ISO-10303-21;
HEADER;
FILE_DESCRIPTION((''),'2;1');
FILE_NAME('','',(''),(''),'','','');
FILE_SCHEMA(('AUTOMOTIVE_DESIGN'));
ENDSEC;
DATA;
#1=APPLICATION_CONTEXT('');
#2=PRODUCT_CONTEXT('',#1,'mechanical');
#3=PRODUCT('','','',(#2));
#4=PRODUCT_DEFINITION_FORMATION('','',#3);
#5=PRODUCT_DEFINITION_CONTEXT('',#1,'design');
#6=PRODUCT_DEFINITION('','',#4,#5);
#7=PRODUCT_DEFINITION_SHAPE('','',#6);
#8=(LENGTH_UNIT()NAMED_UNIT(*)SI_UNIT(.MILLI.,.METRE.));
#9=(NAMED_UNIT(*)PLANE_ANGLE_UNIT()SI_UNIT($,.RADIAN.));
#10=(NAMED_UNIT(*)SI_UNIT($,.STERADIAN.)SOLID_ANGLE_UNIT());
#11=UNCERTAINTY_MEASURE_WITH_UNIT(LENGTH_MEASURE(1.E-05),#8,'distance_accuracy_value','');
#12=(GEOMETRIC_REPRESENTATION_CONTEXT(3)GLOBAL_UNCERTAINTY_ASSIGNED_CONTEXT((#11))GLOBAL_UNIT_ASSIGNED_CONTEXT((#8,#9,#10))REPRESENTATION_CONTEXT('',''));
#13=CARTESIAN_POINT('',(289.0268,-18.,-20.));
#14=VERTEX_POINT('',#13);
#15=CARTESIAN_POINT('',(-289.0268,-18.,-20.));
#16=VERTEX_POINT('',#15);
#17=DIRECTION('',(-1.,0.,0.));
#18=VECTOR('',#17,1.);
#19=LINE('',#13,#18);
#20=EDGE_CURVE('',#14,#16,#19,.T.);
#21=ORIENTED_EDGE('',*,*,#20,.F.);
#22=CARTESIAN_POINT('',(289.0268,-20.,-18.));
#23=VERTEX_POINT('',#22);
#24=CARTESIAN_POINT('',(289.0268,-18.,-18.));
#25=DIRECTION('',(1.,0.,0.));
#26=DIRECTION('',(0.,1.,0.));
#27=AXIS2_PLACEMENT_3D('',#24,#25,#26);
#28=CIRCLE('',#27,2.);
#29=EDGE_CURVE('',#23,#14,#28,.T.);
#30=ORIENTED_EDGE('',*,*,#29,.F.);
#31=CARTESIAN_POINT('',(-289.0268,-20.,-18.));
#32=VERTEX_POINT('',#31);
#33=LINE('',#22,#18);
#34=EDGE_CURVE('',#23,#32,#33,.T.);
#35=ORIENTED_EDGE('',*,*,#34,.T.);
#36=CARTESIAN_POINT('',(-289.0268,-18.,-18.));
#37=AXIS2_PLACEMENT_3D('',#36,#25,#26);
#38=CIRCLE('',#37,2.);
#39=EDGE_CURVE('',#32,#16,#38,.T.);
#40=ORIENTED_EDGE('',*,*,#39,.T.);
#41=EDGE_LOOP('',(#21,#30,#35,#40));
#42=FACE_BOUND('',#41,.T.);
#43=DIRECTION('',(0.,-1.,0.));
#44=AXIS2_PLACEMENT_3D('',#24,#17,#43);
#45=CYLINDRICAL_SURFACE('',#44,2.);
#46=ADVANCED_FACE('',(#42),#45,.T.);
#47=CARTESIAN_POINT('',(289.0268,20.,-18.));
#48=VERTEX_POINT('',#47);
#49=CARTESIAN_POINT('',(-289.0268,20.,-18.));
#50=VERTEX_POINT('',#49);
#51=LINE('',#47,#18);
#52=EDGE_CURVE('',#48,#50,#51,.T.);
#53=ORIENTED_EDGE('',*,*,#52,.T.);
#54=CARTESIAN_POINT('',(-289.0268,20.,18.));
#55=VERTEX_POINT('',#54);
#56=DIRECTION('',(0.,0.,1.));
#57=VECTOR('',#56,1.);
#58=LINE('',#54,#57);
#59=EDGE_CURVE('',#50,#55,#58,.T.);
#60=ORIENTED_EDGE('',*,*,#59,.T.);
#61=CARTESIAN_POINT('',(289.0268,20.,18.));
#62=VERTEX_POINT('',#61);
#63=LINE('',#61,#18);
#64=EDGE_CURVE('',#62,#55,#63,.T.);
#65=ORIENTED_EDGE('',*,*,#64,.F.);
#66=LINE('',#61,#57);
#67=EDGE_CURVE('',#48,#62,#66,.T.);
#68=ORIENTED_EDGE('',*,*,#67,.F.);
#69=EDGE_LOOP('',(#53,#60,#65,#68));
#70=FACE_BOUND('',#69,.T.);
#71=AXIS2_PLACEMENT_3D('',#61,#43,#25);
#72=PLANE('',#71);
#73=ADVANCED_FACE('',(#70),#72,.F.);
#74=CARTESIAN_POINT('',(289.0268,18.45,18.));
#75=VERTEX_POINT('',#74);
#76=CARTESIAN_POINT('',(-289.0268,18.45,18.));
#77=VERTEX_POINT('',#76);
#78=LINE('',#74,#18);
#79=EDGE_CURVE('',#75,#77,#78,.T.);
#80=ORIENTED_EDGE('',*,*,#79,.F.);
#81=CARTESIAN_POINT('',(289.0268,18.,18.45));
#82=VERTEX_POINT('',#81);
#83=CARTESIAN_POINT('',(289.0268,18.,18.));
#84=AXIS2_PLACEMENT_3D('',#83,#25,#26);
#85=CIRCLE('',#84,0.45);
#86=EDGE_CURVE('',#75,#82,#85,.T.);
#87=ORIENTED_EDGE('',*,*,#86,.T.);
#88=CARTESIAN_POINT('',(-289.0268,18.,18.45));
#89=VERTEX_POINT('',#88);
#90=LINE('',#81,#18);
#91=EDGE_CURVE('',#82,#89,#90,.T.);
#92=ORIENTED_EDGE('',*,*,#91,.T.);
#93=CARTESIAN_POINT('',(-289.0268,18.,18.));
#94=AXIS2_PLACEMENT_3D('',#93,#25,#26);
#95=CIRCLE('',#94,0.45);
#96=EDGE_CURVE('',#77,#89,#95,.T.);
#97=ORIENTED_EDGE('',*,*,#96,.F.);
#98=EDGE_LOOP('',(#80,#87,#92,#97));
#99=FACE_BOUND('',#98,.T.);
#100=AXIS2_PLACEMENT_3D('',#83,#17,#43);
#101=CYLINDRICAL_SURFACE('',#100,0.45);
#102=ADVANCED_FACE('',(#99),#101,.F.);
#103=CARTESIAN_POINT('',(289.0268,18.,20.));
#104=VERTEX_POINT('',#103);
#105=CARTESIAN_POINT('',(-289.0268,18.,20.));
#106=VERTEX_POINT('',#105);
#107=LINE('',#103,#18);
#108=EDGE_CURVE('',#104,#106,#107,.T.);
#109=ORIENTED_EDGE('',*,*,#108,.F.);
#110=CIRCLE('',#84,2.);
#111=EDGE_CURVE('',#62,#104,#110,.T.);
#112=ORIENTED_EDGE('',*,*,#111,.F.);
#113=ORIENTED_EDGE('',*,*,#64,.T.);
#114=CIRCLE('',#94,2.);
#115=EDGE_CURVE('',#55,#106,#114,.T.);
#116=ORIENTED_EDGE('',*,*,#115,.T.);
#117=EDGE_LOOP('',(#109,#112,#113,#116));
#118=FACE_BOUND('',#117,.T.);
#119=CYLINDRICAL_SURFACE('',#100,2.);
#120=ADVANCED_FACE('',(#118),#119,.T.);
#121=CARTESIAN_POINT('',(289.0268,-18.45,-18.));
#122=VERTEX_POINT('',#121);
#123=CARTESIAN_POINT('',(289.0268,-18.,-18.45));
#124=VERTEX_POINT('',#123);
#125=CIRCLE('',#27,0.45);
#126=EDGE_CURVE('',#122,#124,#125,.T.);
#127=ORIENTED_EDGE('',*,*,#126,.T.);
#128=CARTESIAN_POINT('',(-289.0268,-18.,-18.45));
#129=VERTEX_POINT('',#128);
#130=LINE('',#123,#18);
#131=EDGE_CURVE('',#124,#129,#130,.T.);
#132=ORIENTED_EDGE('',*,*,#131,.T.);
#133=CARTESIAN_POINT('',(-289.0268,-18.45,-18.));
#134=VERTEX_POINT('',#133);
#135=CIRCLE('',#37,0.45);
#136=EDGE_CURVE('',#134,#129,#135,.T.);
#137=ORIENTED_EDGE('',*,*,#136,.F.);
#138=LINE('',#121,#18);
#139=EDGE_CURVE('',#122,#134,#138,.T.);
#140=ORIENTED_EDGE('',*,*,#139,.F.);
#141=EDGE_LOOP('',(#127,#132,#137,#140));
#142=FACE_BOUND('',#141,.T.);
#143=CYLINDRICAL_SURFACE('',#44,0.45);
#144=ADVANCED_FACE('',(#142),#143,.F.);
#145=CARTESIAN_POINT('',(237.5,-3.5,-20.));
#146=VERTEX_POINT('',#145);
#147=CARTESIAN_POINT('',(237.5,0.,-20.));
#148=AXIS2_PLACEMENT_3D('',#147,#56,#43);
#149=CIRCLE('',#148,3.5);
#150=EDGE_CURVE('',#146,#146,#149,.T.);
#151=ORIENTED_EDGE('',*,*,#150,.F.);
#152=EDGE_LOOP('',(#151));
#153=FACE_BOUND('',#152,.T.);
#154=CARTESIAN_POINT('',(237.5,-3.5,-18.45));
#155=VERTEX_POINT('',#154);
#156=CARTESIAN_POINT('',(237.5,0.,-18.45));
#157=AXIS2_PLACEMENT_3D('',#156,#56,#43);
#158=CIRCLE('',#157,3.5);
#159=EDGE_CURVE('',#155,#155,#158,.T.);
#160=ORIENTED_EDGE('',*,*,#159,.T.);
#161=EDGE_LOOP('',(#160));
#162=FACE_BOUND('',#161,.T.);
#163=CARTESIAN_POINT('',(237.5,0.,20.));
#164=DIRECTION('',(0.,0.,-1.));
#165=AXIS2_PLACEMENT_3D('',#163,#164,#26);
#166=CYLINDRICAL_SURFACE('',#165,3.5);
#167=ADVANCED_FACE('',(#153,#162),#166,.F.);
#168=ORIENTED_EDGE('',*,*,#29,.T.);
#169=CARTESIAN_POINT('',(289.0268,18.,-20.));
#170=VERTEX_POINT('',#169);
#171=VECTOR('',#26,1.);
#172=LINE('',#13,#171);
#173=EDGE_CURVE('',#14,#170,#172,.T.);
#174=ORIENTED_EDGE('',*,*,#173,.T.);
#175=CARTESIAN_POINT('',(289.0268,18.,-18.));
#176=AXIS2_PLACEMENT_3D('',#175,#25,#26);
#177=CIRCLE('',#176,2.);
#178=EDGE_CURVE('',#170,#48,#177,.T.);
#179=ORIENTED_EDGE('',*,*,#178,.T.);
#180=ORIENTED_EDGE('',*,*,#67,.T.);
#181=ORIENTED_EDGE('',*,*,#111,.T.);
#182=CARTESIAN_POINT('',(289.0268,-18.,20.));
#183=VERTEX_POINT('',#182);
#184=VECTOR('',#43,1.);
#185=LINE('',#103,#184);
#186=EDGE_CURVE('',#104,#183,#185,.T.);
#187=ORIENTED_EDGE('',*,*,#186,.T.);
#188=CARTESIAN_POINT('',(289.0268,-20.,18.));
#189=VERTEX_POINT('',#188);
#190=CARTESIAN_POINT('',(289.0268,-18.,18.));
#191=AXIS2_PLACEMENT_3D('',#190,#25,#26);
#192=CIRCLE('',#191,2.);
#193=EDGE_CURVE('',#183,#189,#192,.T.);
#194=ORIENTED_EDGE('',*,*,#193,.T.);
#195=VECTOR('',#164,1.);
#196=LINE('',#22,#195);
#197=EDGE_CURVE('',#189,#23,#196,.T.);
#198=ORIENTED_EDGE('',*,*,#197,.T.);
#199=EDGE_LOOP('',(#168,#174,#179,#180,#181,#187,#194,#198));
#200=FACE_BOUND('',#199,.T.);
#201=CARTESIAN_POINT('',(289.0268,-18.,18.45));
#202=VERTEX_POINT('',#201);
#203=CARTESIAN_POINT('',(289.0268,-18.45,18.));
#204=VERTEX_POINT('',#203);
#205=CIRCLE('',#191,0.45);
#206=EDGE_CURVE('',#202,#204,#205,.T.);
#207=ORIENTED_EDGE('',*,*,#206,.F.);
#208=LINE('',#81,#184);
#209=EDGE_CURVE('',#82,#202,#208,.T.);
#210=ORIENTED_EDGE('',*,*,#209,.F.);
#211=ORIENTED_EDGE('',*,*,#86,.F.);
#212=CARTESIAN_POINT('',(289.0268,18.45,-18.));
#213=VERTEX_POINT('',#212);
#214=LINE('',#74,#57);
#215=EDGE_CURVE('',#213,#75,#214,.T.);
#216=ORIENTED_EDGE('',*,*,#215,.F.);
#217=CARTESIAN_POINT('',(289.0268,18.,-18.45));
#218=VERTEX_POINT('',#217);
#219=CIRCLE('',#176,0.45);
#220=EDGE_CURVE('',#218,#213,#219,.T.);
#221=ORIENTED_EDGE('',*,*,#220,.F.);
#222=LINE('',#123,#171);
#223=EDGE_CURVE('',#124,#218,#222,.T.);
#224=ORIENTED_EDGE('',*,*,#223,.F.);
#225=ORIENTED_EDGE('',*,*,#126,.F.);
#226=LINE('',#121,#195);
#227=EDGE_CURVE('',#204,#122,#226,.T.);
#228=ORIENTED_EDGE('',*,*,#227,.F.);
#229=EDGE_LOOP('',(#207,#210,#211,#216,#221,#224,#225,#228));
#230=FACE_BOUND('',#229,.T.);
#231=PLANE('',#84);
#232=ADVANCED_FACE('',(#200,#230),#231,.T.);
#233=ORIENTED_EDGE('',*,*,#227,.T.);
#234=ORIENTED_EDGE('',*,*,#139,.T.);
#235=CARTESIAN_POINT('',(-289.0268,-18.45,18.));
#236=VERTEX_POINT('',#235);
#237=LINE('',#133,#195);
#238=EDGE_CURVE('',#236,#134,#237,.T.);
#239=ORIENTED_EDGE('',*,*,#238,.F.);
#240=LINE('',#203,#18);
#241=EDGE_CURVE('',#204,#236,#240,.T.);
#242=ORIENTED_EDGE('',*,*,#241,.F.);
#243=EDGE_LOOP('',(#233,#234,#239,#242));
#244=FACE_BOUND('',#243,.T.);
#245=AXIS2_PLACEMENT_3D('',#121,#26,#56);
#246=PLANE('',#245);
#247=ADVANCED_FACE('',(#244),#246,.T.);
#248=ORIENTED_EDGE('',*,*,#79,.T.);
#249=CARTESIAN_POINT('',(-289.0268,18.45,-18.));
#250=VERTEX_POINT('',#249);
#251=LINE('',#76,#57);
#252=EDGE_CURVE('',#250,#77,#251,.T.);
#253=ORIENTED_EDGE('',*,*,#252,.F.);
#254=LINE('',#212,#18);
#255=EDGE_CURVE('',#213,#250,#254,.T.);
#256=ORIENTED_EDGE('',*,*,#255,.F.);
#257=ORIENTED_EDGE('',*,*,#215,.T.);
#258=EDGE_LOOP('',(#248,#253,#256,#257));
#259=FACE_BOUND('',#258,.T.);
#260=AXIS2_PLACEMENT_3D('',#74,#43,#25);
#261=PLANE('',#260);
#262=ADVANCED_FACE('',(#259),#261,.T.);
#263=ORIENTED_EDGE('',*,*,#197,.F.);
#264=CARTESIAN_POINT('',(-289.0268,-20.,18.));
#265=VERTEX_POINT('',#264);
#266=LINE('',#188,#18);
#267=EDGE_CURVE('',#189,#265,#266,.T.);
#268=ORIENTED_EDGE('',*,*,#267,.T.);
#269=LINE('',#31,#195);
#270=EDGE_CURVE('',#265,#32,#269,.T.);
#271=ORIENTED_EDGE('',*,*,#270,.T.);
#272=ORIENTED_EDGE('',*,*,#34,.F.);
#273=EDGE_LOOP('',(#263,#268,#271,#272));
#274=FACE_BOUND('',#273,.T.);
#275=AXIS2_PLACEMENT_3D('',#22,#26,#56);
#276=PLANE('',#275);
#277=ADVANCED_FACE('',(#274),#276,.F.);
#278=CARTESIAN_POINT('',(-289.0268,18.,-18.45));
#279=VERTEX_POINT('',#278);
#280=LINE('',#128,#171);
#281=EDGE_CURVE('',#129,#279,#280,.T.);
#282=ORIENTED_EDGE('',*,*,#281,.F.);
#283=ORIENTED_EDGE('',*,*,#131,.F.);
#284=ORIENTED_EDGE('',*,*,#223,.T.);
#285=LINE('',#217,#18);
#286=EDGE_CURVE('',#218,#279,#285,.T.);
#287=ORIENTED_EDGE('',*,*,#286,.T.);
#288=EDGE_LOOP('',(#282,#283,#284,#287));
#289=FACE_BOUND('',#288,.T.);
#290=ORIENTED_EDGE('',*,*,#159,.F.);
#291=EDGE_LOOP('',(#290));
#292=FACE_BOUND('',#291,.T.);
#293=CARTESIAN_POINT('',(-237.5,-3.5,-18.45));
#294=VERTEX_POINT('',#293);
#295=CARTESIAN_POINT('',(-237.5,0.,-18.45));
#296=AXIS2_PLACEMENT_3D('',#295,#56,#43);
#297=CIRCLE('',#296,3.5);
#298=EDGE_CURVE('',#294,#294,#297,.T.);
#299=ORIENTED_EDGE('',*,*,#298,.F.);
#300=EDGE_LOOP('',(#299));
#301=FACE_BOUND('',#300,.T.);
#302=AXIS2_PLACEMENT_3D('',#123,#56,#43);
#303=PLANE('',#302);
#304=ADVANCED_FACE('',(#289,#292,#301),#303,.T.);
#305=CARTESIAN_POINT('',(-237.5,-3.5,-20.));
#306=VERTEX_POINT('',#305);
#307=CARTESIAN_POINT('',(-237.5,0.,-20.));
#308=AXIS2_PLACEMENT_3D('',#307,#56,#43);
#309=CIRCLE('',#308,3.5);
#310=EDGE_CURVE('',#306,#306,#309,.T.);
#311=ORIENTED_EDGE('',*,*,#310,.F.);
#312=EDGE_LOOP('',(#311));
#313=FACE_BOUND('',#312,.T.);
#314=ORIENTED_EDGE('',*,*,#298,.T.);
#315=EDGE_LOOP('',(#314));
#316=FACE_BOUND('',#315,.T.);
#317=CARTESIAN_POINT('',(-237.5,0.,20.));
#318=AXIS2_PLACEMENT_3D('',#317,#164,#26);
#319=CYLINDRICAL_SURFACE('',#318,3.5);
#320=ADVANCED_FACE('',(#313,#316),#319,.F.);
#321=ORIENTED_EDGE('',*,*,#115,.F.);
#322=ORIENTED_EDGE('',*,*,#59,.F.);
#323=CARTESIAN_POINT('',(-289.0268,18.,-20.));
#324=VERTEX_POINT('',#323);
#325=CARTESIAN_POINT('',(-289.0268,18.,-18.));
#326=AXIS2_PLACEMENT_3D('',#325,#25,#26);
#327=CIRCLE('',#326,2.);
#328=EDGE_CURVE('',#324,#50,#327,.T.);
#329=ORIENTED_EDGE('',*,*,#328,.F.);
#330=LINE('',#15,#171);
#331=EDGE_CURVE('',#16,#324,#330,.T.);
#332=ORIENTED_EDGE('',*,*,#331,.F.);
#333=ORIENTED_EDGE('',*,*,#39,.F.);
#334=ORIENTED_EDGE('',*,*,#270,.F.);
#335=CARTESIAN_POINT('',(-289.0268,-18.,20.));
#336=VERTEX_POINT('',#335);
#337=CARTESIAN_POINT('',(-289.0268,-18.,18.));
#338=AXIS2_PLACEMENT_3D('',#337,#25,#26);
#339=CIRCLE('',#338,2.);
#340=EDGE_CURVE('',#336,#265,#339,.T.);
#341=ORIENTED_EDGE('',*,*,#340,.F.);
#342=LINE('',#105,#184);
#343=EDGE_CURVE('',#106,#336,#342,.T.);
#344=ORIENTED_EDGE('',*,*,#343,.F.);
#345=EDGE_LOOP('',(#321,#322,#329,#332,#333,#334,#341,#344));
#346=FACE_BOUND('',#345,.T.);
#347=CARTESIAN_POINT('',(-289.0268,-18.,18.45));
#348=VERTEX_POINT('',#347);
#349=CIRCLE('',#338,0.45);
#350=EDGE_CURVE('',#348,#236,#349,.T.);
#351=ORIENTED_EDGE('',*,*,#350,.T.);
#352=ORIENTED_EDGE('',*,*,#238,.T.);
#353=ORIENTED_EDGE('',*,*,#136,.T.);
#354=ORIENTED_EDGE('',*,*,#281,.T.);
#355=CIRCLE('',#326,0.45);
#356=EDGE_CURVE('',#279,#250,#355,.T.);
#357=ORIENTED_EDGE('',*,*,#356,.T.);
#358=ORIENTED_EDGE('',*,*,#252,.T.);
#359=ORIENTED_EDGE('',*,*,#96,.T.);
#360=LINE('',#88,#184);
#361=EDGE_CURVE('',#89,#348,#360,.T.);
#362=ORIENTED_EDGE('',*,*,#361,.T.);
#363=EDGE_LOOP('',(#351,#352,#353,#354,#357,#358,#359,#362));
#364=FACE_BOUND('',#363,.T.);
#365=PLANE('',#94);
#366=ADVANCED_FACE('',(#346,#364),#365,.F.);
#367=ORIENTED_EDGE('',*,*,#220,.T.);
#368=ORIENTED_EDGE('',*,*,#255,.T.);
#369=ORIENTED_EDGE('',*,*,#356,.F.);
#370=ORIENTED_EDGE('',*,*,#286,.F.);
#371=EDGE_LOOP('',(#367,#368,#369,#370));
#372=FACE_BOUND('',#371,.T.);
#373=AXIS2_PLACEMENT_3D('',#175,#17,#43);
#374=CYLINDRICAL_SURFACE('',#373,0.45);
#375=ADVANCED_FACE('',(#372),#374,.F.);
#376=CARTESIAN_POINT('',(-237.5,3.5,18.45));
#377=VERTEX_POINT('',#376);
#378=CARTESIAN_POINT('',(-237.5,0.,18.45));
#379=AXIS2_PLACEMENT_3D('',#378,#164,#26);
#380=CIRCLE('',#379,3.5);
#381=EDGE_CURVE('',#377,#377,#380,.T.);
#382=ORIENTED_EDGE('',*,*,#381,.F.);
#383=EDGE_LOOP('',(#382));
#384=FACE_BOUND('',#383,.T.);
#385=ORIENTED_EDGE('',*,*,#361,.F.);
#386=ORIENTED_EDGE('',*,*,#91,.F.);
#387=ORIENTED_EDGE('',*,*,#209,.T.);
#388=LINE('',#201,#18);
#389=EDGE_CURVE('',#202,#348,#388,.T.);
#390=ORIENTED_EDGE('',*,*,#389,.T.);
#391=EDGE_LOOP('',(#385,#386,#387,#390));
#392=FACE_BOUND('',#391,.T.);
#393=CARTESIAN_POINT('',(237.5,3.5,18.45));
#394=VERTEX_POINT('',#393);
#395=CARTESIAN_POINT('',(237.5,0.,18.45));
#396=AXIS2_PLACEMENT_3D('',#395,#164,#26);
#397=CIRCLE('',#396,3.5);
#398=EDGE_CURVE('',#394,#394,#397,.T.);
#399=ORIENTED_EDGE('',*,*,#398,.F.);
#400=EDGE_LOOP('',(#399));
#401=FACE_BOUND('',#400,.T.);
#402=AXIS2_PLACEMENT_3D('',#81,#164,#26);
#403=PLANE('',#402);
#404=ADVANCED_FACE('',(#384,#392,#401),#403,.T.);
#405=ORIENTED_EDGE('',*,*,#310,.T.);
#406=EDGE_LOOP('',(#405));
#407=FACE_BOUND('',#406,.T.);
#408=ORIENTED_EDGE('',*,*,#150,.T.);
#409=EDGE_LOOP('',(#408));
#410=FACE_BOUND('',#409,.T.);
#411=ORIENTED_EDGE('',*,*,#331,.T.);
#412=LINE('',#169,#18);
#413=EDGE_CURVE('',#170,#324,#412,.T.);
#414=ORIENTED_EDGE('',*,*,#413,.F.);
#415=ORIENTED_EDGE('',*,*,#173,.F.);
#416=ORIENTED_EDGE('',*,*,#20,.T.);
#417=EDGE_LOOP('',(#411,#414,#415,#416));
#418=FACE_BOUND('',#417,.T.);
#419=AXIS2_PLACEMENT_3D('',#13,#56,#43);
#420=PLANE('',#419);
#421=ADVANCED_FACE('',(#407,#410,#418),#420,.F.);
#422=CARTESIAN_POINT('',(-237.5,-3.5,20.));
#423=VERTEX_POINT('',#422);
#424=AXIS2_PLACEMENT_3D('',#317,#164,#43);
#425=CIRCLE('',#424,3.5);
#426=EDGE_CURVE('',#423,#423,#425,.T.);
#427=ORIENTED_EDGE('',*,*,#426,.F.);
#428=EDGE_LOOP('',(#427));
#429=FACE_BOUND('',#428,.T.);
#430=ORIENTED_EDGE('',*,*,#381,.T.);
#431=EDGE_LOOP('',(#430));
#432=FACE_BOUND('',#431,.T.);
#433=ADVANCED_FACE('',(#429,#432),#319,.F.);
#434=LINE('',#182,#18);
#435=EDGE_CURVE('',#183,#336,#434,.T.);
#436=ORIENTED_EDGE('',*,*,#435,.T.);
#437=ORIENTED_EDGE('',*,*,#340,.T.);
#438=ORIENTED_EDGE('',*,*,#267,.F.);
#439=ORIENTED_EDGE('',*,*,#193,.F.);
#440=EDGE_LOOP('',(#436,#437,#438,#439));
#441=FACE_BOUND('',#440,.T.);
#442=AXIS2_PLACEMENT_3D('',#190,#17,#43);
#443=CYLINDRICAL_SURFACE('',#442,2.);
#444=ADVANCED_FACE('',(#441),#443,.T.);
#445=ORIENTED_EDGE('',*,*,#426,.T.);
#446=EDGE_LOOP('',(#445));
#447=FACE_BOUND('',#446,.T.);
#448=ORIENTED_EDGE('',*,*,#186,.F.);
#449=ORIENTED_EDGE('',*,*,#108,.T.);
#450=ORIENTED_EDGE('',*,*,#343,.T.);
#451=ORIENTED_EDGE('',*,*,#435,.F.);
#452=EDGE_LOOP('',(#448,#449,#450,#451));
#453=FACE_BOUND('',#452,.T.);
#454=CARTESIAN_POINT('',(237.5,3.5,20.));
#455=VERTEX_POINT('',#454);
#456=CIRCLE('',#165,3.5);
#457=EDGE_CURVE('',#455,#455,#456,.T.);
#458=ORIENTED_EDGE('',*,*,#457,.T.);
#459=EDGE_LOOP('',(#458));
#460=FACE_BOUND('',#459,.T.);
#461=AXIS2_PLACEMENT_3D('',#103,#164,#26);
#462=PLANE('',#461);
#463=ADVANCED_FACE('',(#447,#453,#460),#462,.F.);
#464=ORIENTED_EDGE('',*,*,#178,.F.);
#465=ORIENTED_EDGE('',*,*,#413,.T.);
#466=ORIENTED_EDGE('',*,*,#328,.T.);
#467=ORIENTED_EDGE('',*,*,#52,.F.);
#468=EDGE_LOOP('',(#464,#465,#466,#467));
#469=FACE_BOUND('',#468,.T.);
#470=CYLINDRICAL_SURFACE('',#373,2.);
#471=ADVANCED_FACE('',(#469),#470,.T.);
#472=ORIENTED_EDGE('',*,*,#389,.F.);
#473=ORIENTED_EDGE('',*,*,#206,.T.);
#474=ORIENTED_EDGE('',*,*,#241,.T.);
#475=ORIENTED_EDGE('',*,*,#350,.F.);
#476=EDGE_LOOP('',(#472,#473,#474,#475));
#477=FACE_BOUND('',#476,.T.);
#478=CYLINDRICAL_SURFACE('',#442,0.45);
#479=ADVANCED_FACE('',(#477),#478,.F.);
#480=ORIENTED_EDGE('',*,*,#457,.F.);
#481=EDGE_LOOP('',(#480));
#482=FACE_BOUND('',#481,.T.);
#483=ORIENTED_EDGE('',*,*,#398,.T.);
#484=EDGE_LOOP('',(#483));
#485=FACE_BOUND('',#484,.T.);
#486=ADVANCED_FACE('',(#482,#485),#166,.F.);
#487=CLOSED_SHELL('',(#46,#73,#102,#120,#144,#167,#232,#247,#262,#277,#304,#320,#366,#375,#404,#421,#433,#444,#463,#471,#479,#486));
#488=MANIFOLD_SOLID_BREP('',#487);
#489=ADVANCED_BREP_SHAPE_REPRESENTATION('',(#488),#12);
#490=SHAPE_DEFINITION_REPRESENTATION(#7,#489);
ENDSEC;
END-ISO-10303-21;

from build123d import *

# Parameters (mm, degrees)
QUADRADO_40_X_40_X_1_55_1_DEPTH = 578.0536
CORTE_EXTRUS_O1_DEPTH           = 293.466222183
CORTE_EXTRUS_O1_DEPTH_BACK      = 293.466222183
ESBO_O4_R                       = 3.5


with BuildPart() as part:
    # Esboço1 → Quadrado 40 X 40 X 1,55(1) (new body)
    with BuildSketch(Plane.YZ.offset(-289.0268)):
        with BuildLine():
            Line((-18, -20), (18, -20))
            ThreePointArc((18, -20), (19.414213562, -19.414213562), (20, -18))
            Line((20, -18), (20, 18))
            ThreePointArc((20, 18), (19.414213562, 19.414213562), (18, 20))
            Line((18, 20), (-18, 20))
            ThreePointArc((-18, 20), (-19.414213562, 19.414213562), (-20, 18))
            Line((-20, 18), (-20, -18))
            ThreePointArc((-20, -18), (-19.414213562, -19.414213562), (-18, -20))
        make_face()
        with BuildLine():
            Line((-18, -18.45), (18, -18.45))
            ThreePointArc((18, -18.45), (18.318198052, -18.318198052), (18.45, -18))
            Line((18.45, -18), (18.45, 18))
            ThreePointArc((18.45, 18), (18.318198052, 18.318198052), (18, 18.45))
            Line((18, 18.45), (-18, 18.45))
            ThreePointArc((-18, 18.45), (-18.318198052, 18.318198052), (-18.45, 18))
            Line((-18.45, 18), (-18.45, -18))
            ThreePointArc((-18.45, -18), (-18.318198052, -18.318198052), (-18, -18.45))
        make_face(mode=Mode.SUBTRACT)
    extrude(amount=QUADRADO_40_X_40_X_1_55_1_DEPTH)

    # Esboço4 → Corte-extrusão1 (cut, two sides: drawn at the far end of the back side and taken through both)
    with BuildSketch(Plane(origin=(0, 0, -20), x_dir=(-1, 0, 0), z_dir=(0, 0, -1)).offset(-CORTE_EXTRUS_O1_DEPTH_BACK)):
        with Locations(Location((-237.5, 0, 0), (0, 0, 270))):
            Circle(ESBO_O4_R)
        with Locations(Location((237.5, 0, 0), (0, 0, 270))):
            Circle(ESBO_O4_R)
    extrude(amount=CORTE_EXTRUS_O1_DEPTH + CORTE_EXTRUS_O1_DEPTH_BACK, mode=Mode.SUBTRACT)


solid = part.part
